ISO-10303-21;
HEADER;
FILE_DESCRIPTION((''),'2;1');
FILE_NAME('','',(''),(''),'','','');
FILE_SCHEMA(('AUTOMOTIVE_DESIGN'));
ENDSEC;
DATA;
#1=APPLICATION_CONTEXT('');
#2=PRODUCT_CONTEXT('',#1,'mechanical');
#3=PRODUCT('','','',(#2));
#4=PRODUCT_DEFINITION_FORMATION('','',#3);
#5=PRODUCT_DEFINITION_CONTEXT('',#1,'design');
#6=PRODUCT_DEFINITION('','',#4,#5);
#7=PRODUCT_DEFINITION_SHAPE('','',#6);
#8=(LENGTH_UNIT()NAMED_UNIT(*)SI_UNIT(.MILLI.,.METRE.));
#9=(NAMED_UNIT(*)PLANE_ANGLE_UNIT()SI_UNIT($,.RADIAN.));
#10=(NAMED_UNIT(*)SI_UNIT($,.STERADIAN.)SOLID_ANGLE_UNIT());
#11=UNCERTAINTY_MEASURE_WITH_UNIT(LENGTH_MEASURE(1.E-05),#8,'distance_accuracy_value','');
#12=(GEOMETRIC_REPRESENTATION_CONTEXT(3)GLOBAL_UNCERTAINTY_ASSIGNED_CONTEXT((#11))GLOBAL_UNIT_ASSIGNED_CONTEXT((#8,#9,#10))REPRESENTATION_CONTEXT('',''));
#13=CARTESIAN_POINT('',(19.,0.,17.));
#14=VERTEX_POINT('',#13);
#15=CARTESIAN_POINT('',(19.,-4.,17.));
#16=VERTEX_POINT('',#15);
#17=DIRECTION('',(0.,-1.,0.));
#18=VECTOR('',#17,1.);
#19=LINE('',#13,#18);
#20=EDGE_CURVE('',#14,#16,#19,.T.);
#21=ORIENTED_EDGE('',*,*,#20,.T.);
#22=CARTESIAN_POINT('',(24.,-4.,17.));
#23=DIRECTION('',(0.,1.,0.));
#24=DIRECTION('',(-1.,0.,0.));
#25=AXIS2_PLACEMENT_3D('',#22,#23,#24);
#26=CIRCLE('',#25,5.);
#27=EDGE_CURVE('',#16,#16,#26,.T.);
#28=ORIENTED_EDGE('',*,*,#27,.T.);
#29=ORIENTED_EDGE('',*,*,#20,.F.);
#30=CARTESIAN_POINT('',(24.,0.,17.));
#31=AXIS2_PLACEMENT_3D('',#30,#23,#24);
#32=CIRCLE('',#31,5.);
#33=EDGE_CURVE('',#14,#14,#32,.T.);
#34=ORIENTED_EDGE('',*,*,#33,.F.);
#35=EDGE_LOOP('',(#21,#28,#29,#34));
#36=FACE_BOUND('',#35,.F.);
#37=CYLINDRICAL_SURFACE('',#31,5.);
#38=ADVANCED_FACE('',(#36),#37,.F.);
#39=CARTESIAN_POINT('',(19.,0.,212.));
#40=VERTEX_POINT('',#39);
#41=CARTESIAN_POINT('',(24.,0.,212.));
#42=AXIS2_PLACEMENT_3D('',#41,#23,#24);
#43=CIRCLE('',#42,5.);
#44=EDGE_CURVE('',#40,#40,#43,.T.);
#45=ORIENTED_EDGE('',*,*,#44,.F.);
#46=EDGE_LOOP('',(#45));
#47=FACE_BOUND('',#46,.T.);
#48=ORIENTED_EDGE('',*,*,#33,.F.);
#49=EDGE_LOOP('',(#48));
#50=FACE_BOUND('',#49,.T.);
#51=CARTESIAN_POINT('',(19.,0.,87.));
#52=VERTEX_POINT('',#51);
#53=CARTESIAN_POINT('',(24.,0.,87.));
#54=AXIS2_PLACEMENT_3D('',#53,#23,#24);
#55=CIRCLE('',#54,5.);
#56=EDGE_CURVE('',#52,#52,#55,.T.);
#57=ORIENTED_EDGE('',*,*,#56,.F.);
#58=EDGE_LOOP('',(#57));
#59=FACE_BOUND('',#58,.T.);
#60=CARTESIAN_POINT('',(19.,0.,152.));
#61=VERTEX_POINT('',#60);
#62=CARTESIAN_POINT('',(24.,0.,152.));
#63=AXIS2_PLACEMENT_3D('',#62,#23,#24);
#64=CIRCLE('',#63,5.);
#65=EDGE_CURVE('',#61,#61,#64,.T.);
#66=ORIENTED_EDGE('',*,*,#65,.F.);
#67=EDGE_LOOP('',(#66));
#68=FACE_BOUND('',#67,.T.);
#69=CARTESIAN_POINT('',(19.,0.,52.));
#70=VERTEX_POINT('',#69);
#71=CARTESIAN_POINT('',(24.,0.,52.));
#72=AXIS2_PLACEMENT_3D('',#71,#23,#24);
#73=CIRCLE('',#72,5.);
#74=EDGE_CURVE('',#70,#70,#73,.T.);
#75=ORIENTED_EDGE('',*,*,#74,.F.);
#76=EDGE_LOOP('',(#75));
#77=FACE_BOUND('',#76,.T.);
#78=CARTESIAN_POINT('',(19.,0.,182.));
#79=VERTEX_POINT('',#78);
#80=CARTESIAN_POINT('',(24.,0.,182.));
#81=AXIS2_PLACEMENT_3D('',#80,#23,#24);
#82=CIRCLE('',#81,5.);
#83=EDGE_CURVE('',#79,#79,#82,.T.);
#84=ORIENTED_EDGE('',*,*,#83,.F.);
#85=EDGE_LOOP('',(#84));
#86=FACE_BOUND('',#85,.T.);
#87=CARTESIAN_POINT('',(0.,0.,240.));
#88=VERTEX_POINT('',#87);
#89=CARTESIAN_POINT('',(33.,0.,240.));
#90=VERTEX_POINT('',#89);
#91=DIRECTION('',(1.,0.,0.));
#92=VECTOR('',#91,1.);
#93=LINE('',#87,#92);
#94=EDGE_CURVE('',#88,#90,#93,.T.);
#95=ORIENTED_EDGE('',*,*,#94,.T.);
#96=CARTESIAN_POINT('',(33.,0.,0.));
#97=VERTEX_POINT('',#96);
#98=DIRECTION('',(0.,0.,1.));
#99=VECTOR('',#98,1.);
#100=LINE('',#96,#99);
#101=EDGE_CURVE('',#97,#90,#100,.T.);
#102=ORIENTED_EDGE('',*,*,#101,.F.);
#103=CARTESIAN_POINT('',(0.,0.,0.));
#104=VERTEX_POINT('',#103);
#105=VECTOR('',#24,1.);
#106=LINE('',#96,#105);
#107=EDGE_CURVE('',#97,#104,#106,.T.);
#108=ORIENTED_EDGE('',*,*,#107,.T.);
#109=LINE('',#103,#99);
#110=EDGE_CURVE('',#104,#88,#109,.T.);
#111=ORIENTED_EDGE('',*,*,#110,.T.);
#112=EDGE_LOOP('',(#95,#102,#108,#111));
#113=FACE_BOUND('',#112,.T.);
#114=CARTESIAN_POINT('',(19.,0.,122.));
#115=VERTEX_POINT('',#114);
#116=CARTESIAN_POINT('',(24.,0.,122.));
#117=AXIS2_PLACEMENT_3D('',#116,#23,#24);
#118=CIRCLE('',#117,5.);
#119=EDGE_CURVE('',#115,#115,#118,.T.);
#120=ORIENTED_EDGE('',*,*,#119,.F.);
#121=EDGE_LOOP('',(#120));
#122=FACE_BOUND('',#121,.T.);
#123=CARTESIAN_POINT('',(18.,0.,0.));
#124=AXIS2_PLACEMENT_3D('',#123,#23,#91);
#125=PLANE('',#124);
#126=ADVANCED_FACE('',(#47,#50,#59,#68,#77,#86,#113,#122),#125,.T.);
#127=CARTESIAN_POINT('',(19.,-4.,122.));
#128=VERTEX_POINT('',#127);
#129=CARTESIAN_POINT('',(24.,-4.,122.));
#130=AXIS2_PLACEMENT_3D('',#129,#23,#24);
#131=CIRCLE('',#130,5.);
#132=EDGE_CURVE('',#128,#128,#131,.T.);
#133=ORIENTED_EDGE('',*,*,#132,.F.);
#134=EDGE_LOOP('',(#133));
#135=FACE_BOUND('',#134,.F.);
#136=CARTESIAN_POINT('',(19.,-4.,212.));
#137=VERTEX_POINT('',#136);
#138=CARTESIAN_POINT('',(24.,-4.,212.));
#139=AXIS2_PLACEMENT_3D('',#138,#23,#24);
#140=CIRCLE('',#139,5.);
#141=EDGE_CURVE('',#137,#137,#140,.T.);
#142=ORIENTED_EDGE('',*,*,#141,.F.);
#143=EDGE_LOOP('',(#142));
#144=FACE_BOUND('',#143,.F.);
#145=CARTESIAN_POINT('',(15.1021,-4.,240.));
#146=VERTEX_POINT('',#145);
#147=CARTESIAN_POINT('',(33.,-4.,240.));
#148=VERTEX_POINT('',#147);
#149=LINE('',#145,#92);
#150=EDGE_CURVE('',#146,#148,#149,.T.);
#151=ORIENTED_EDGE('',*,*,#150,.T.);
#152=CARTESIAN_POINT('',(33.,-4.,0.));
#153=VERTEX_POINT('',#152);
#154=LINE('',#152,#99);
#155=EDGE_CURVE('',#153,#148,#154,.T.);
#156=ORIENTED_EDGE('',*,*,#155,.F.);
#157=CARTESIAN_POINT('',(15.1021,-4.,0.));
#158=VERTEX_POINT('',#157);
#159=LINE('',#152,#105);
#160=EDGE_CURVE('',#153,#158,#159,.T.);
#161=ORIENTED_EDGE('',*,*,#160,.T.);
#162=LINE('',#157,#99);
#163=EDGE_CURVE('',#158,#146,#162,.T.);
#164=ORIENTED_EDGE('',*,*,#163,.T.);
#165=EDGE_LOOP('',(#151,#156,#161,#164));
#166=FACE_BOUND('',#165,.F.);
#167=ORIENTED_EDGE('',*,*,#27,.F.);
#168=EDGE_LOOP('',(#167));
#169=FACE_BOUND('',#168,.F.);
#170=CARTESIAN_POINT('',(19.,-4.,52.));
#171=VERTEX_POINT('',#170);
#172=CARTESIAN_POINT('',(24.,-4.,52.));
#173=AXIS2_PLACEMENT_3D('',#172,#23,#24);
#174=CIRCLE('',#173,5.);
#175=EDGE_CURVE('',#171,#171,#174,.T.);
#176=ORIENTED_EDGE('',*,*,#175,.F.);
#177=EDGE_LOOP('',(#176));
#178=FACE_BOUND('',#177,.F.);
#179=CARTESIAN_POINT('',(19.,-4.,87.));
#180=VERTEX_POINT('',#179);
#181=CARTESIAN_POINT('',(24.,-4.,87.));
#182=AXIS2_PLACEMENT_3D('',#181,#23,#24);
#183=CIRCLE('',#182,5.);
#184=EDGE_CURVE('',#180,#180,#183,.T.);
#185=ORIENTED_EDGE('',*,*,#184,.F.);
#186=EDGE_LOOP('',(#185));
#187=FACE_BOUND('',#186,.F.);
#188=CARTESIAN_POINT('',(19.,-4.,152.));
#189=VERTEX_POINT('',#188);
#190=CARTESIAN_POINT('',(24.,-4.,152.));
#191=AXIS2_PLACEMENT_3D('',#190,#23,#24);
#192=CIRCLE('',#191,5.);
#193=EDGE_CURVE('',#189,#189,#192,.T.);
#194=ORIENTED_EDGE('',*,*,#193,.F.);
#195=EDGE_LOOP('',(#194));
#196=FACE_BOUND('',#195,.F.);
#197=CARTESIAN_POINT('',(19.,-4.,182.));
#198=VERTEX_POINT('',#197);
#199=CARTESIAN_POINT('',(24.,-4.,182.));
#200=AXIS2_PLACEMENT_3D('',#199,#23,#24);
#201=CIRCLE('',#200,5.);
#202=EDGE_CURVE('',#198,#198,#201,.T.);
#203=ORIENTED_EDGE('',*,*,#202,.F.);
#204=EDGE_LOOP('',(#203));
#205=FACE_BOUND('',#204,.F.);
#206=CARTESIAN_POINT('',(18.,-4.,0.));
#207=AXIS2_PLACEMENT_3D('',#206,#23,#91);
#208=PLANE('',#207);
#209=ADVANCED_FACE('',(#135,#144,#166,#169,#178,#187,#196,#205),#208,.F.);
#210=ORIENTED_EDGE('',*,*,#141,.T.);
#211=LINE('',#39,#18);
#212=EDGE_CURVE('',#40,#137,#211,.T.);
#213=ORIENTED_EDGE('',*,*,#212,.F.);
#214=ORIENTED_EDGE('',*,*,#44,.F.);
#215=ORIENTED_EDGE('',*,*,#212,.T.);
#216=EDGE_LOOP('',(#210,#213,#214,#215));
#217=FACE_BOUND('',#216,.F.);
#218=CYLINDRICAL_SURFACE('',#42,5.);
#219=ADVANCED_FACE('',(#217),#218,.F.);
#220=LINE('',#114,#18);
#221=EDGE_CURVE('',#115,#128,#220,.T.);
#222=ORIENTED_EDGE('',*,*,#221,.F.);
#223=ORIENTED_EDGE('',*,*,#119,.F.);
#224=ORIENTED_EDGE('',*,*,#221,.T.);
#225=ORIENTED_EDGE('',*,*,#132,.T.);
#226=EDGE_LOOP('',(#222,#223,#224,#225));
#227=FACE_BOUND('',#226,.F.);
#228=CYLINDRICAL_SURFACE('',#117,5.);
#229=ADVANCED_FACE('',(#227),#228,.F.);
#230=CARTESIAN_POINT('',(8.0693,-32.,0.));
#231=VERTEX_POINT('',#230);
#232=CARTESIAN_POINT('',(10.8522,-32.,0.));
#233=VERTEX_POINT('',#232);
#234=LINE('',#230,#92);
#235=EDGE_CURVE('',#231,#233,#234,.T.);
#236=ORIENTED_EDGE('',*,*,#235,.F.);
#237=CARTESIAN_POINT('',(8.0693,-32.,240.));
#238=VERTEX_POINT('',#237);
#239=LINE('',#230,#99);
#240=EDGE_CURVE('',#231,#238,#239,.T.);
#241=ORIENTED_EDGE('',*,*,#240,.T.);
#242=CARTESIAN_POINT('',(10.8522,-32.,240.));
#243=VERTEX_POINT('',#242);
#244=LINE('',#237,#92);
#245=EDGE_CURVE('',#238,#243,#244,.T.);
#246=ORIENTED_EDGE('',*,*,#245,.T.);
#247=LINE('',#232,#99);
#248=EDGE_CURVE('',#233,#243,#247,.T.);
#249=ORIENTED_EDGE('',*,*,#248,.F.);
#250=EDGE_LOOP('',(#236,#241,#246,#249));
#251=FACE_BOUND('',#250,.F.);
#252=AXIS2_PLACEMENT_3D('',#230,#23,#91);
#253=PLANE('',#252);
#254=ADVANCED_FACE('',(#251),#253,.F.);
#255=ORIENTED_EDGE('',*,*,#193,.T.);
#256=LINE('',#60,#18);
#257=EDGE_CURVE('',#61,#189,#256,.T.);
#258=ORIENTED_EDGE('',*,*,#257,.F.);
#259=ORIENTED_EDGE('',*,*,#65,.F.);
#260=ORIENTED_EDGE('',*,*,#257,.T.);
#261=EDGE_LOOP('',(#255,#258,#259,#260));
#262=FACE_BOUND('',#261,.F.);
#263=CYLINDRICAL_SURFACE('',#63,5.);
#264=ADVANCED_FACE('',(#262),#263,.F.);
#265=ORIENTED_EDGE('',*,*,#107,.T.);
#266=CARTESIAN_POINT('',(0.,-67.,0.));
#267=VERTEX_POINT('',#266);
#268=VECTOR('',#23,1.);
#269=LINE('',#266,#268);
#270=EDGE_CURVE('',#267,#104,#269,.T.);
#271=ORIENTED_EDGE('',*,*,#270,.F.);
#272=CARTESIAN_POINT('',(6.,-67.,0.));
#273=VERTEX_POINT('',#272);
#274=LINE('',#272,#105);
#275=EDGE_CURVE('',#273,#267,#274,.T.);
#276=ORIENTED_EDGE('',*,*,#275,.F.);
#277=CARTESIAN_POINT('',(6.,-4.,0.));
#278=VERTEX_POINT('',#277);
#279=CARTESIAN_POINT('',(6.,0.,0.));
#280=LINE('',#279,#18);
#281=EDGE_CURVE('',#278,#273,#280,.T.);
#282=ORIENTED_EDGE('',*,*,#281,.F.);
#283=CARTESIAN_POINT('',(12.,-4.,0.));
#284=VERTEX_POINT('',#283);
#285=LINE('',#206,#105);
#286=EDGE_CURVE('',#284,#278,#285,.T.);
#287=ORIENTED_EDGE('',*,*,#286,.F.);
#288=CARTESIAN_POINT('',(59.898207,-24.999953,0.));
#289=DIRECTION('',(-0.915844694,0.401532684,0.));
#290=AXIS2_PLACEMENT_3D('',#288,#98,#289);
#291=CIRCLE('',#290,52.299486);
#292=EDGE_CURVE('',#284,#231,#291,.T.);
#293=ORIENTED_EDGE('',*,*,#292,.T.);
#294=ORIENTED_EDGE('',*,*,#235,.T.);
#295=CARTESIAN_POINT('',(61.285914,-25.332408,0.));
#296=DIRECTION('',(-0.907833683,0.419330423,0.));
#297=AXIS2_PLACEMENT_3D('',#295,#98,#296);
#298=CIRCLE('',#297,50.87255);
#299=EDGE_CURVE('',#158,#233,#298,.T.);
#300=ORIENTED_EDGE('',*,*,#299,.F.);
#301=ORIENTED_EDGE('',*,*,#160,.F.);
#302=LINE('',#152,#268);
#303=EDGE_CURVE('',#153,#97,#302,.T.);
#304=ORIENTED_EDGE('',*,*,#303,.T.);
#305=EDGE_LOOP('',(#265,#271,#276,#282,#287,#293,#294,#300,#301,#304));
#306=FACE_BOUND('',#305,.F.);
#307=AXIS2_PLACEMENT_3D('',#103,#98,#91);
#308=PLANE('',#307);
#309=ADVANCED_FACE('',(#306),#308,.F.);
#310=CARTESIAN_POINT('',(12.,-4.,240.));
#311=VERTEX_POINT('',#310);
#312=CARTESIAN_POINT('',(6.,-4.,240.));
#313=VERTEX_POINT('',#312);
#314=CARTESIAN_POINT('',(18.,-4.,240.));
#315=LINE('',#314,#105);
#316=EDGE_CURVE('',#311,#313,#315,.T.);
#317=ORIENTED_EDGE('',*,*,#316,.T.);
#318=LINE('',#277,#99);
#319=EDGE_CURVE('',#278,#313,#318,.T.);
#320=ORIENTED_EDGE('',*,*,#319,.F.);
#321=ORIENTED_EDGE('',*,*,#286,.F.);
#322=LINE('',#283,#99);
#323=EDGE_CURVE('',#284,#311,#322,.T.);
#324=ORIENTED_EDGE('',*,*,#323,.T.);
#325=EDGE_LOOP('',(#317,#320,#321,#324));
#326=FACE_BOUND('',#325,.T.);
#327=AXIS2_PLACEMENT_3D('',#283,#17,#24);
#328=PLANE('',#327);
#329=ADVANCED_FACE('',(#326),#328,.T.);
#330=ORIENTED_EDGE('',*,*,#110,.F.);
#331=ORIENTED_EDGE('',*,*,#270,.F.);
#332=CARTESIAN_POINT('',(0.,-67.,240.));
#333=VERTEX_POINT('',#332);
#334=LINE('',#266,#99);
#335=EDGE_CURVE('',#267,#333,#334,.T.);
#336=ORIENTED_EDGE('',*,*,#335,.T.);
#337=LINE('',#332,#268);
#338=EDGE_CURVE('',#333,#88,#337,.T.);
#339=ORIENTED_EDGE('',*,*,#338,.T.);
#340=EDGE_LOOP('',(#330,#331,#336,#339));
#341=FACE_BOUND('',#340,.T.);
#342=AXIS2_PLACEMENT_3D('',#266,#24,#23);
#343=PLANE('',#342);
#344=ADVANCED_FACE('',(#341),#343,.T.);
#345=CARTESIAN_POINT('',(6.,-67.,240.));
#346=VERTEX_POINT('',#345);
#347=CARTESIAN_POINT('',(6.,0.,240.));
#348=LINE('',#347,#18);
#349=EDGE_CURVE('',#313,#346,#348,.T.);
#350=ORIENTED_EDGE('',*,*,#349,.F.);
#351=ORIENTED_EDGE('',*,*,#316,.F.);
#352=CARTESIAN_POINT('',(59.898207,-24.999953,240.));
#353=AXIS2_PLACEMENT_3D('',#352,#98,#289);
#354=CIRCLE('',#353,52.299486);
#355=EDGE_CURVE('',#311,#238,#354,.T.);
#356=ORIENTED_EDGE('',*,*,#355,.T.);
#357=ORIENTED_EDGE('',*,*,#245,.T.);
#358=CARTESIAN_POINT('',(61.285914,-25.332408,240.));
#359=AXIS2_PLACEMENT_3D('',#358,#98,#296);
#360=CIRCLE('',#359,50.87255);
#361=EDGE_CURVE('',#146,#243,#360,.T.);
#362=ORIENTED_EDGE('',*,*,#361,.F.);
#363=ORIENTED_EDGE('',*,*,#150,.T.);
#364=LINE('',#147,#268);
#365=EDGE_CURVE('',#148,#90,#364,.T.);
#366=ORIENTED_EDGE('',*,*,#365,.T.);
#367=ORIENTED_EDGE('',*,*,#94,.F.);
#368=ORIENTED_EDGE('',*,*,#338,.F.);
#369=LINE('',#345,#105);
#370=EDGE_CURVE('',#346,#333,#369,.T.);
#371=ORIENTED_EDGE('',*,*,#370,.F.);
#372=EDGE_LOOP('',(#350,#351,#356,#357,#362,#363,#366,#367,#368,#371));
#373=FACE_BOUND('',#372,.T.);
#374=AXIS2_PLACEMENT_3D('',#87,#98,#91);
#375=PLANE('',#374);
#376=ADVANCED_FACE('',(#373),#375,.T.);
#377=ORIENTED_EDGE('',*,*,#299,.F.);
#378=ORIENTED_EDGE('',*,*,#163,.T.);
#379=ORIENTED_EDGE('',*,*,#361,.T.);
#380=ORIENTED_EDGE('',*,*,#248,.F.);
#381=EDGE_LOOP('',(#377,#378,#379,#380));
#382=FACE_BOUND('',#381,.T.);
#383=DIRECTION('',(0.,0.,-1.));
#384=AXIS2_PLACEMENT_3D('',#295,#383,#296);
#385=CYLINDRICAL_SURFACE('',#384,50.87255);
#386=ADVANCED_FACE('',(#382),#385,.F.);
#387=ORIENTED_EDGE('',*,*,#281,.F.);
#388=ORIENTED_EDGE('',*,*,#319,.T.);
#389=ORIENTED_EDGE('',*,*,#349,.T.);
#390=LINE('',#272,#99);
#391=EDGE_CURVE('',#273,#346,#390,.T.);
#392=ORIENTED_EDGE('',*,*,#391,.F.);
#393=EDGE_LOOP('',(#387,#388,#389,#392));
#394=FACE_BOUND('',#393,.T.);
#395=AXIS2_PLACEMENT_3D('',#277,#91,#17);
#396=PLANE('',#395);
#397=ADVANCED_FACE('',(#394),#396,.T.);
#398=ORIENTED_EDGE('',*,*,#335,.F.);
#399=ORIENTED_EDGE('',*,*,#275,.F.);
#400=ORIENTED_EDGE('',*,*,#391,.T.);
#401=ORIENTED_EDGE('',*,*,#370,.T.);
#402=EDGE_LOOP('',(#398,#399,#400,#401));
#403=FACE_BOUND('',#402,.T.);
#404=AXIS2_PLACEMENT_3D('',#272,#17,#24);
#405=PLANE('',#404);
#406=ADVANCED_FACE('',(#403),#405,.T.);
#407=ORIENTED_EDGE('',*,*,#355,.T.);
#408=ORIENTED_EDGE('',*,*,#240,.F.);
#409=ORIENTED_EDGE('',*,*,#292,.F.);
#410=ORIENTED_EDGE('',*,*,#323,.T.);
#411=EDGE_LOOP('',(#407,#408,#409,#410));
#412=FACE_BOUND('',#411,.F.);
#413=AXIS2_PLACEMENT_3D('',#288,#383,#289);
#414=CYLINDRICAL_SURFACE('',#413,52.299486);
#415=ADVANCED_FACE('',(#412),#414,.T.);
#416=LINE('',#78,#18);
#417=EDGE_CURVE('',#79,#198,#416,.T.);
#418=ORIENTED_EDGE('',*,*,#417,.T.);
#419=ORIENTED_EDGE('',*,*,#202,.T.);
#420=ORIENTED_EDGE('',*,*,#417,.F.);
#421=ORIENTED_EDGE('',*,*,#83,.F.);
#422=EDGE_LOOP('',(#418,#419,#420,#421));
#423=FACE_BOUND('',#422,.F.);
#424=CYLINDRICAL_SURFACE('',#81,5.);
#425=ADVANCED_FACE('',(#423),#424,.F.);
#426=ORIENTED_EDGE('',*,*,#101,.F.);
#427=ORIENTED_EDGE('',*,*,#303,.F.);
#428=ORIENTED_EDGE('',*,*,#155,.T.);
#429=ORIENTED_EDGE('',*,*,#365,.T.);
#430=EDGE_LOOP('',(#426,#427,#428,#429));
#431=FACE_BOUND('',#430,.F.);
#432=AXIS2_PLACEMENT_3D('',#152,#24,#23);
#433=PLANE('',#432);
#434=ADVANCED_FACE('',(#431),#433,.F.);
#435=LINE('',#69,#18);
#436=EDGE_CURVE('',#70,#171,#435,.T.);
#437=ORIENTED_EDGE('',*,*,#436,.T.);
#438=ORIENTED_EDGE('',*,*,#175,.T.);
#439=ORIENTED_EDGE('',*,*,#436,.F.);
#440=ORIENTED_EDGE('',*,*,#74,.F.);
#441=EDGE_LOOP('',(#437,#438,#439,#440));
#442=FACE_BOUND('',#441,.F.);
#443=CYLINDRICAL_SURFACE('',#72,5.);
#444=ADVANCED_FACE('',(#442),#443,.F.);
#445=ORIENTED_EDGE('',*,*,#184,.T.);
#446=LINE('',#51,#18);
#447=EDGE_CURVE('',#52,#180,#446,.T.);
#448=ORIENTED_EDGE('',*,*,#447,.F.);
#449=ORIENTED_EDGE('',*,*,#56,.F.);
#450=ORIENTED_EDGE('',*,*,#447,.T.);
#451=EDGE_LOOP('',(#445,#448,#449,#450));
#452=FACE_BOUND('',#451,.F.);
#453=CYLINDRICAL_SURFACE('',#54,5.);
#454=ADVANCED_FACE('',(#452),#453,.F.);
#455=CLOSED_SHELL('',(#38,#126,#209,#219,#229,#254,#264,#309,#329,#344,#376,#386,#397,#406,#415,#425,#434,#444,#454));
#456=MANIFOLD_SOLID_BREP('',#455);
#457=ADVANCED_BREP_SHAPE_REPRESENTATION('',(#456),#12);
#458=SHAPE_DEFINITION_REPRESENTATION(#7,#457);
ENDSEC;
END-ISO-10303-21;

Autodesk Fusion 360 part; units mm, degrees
sketch "Sketch1" plane through (0, 0, 0) normal (0, 0, 1) x (1, 0, 0) in component "Component"
  line L0 (0, 0) -> (6, 0)
  line L1 (6, 0) -> (6, -67)
  line L2 (6, -67) -> (0, -67)
  line L3 (0, -67) -> (0, 0)
  line L4 (6, 0) -> (18, 0)
  line L5 (18, 0) -> (18, -4)
  line L6 (18, -4) -> (6, -4)
  line L7 (6, -4) -> (6, 0)
  line L8 (8.0693, -4) -> (8.0693, -32) construction
  arc A0 (12, -4) -> (8.0693, -32) centre (59.8982, -25) ccw
  arc A1 (15.1021, -4) -> (10.8522, -32) centre (61.2859, -25.3325) ccw
  line L9 (8.0693, -32) -> (10.8522, -32)
  dimension "d1" = 6
  dimension "d2" = 67
  dimension "d3" = 12
  dimension "d4" = 4
  dimension "d5" = 28
extrude "Extrude1" add sketch "Sketch1" along normal blind 240 in component "Component"
sketch "Sketch2" plane through (0, 0, 0) normal (0, 1, 0) x (-1, 0, 0) in component "Component"
  line L0 (-18, 0) -> (0, 0)
  line L1 (0, 0) -> (0, 240)
  line L2 (0, 240) -> (-18, 240)
  line L3 (-18, 240) -> (-18, 0)
  circle A0 centre (-24, 17) radius 5
  line L4 (-9, 47) -> (-24, 52) construction
  circle A1 centre (-24, 52) radius 5
  circle A2 centre (-24, 87) radius 5
  circle A3 centre (-24, 122) radius 5
  circle A4 centre (-24, 152) radius 5
  circle A5 centre (-24, 182) radius 5
  circle A6 centre (-24, 212) radius 5
  dimension "d10" = 10
  dimension "d12" = 10
  dimension "d14" = 10
  dimension "d16" = 10
  dimension "d18" = 10
  dimension "d20" = 10
  dimension "d22" = 10
sketch "Sketch3" plane through (0, 0, 0) normal (0, 0, 1) x (1, 0, 0) in component "Component"
  line L0 (18, 0) -> (33, 0)
  line L1 (18, -4) -> (33, -4)
  line L2 (33, -4) -> (33, 0)
  line L3 (18, 0) -> (18, -4)
  dimension "d23" = 15
extrude "Extrude2" add sketch "Sketch3" along normal blind 240 in component "Component"
extrude "Extrude3" cut sketch "Sketch2" against normal blind 20 contours A0 | A1 | A2 | A3 | A4 | A5 | A6 in component "Component"
component "Component" placed x (1, 0, 0) y (0, 1, 0) z (0, 0, 1) at (0, 0, 0)
